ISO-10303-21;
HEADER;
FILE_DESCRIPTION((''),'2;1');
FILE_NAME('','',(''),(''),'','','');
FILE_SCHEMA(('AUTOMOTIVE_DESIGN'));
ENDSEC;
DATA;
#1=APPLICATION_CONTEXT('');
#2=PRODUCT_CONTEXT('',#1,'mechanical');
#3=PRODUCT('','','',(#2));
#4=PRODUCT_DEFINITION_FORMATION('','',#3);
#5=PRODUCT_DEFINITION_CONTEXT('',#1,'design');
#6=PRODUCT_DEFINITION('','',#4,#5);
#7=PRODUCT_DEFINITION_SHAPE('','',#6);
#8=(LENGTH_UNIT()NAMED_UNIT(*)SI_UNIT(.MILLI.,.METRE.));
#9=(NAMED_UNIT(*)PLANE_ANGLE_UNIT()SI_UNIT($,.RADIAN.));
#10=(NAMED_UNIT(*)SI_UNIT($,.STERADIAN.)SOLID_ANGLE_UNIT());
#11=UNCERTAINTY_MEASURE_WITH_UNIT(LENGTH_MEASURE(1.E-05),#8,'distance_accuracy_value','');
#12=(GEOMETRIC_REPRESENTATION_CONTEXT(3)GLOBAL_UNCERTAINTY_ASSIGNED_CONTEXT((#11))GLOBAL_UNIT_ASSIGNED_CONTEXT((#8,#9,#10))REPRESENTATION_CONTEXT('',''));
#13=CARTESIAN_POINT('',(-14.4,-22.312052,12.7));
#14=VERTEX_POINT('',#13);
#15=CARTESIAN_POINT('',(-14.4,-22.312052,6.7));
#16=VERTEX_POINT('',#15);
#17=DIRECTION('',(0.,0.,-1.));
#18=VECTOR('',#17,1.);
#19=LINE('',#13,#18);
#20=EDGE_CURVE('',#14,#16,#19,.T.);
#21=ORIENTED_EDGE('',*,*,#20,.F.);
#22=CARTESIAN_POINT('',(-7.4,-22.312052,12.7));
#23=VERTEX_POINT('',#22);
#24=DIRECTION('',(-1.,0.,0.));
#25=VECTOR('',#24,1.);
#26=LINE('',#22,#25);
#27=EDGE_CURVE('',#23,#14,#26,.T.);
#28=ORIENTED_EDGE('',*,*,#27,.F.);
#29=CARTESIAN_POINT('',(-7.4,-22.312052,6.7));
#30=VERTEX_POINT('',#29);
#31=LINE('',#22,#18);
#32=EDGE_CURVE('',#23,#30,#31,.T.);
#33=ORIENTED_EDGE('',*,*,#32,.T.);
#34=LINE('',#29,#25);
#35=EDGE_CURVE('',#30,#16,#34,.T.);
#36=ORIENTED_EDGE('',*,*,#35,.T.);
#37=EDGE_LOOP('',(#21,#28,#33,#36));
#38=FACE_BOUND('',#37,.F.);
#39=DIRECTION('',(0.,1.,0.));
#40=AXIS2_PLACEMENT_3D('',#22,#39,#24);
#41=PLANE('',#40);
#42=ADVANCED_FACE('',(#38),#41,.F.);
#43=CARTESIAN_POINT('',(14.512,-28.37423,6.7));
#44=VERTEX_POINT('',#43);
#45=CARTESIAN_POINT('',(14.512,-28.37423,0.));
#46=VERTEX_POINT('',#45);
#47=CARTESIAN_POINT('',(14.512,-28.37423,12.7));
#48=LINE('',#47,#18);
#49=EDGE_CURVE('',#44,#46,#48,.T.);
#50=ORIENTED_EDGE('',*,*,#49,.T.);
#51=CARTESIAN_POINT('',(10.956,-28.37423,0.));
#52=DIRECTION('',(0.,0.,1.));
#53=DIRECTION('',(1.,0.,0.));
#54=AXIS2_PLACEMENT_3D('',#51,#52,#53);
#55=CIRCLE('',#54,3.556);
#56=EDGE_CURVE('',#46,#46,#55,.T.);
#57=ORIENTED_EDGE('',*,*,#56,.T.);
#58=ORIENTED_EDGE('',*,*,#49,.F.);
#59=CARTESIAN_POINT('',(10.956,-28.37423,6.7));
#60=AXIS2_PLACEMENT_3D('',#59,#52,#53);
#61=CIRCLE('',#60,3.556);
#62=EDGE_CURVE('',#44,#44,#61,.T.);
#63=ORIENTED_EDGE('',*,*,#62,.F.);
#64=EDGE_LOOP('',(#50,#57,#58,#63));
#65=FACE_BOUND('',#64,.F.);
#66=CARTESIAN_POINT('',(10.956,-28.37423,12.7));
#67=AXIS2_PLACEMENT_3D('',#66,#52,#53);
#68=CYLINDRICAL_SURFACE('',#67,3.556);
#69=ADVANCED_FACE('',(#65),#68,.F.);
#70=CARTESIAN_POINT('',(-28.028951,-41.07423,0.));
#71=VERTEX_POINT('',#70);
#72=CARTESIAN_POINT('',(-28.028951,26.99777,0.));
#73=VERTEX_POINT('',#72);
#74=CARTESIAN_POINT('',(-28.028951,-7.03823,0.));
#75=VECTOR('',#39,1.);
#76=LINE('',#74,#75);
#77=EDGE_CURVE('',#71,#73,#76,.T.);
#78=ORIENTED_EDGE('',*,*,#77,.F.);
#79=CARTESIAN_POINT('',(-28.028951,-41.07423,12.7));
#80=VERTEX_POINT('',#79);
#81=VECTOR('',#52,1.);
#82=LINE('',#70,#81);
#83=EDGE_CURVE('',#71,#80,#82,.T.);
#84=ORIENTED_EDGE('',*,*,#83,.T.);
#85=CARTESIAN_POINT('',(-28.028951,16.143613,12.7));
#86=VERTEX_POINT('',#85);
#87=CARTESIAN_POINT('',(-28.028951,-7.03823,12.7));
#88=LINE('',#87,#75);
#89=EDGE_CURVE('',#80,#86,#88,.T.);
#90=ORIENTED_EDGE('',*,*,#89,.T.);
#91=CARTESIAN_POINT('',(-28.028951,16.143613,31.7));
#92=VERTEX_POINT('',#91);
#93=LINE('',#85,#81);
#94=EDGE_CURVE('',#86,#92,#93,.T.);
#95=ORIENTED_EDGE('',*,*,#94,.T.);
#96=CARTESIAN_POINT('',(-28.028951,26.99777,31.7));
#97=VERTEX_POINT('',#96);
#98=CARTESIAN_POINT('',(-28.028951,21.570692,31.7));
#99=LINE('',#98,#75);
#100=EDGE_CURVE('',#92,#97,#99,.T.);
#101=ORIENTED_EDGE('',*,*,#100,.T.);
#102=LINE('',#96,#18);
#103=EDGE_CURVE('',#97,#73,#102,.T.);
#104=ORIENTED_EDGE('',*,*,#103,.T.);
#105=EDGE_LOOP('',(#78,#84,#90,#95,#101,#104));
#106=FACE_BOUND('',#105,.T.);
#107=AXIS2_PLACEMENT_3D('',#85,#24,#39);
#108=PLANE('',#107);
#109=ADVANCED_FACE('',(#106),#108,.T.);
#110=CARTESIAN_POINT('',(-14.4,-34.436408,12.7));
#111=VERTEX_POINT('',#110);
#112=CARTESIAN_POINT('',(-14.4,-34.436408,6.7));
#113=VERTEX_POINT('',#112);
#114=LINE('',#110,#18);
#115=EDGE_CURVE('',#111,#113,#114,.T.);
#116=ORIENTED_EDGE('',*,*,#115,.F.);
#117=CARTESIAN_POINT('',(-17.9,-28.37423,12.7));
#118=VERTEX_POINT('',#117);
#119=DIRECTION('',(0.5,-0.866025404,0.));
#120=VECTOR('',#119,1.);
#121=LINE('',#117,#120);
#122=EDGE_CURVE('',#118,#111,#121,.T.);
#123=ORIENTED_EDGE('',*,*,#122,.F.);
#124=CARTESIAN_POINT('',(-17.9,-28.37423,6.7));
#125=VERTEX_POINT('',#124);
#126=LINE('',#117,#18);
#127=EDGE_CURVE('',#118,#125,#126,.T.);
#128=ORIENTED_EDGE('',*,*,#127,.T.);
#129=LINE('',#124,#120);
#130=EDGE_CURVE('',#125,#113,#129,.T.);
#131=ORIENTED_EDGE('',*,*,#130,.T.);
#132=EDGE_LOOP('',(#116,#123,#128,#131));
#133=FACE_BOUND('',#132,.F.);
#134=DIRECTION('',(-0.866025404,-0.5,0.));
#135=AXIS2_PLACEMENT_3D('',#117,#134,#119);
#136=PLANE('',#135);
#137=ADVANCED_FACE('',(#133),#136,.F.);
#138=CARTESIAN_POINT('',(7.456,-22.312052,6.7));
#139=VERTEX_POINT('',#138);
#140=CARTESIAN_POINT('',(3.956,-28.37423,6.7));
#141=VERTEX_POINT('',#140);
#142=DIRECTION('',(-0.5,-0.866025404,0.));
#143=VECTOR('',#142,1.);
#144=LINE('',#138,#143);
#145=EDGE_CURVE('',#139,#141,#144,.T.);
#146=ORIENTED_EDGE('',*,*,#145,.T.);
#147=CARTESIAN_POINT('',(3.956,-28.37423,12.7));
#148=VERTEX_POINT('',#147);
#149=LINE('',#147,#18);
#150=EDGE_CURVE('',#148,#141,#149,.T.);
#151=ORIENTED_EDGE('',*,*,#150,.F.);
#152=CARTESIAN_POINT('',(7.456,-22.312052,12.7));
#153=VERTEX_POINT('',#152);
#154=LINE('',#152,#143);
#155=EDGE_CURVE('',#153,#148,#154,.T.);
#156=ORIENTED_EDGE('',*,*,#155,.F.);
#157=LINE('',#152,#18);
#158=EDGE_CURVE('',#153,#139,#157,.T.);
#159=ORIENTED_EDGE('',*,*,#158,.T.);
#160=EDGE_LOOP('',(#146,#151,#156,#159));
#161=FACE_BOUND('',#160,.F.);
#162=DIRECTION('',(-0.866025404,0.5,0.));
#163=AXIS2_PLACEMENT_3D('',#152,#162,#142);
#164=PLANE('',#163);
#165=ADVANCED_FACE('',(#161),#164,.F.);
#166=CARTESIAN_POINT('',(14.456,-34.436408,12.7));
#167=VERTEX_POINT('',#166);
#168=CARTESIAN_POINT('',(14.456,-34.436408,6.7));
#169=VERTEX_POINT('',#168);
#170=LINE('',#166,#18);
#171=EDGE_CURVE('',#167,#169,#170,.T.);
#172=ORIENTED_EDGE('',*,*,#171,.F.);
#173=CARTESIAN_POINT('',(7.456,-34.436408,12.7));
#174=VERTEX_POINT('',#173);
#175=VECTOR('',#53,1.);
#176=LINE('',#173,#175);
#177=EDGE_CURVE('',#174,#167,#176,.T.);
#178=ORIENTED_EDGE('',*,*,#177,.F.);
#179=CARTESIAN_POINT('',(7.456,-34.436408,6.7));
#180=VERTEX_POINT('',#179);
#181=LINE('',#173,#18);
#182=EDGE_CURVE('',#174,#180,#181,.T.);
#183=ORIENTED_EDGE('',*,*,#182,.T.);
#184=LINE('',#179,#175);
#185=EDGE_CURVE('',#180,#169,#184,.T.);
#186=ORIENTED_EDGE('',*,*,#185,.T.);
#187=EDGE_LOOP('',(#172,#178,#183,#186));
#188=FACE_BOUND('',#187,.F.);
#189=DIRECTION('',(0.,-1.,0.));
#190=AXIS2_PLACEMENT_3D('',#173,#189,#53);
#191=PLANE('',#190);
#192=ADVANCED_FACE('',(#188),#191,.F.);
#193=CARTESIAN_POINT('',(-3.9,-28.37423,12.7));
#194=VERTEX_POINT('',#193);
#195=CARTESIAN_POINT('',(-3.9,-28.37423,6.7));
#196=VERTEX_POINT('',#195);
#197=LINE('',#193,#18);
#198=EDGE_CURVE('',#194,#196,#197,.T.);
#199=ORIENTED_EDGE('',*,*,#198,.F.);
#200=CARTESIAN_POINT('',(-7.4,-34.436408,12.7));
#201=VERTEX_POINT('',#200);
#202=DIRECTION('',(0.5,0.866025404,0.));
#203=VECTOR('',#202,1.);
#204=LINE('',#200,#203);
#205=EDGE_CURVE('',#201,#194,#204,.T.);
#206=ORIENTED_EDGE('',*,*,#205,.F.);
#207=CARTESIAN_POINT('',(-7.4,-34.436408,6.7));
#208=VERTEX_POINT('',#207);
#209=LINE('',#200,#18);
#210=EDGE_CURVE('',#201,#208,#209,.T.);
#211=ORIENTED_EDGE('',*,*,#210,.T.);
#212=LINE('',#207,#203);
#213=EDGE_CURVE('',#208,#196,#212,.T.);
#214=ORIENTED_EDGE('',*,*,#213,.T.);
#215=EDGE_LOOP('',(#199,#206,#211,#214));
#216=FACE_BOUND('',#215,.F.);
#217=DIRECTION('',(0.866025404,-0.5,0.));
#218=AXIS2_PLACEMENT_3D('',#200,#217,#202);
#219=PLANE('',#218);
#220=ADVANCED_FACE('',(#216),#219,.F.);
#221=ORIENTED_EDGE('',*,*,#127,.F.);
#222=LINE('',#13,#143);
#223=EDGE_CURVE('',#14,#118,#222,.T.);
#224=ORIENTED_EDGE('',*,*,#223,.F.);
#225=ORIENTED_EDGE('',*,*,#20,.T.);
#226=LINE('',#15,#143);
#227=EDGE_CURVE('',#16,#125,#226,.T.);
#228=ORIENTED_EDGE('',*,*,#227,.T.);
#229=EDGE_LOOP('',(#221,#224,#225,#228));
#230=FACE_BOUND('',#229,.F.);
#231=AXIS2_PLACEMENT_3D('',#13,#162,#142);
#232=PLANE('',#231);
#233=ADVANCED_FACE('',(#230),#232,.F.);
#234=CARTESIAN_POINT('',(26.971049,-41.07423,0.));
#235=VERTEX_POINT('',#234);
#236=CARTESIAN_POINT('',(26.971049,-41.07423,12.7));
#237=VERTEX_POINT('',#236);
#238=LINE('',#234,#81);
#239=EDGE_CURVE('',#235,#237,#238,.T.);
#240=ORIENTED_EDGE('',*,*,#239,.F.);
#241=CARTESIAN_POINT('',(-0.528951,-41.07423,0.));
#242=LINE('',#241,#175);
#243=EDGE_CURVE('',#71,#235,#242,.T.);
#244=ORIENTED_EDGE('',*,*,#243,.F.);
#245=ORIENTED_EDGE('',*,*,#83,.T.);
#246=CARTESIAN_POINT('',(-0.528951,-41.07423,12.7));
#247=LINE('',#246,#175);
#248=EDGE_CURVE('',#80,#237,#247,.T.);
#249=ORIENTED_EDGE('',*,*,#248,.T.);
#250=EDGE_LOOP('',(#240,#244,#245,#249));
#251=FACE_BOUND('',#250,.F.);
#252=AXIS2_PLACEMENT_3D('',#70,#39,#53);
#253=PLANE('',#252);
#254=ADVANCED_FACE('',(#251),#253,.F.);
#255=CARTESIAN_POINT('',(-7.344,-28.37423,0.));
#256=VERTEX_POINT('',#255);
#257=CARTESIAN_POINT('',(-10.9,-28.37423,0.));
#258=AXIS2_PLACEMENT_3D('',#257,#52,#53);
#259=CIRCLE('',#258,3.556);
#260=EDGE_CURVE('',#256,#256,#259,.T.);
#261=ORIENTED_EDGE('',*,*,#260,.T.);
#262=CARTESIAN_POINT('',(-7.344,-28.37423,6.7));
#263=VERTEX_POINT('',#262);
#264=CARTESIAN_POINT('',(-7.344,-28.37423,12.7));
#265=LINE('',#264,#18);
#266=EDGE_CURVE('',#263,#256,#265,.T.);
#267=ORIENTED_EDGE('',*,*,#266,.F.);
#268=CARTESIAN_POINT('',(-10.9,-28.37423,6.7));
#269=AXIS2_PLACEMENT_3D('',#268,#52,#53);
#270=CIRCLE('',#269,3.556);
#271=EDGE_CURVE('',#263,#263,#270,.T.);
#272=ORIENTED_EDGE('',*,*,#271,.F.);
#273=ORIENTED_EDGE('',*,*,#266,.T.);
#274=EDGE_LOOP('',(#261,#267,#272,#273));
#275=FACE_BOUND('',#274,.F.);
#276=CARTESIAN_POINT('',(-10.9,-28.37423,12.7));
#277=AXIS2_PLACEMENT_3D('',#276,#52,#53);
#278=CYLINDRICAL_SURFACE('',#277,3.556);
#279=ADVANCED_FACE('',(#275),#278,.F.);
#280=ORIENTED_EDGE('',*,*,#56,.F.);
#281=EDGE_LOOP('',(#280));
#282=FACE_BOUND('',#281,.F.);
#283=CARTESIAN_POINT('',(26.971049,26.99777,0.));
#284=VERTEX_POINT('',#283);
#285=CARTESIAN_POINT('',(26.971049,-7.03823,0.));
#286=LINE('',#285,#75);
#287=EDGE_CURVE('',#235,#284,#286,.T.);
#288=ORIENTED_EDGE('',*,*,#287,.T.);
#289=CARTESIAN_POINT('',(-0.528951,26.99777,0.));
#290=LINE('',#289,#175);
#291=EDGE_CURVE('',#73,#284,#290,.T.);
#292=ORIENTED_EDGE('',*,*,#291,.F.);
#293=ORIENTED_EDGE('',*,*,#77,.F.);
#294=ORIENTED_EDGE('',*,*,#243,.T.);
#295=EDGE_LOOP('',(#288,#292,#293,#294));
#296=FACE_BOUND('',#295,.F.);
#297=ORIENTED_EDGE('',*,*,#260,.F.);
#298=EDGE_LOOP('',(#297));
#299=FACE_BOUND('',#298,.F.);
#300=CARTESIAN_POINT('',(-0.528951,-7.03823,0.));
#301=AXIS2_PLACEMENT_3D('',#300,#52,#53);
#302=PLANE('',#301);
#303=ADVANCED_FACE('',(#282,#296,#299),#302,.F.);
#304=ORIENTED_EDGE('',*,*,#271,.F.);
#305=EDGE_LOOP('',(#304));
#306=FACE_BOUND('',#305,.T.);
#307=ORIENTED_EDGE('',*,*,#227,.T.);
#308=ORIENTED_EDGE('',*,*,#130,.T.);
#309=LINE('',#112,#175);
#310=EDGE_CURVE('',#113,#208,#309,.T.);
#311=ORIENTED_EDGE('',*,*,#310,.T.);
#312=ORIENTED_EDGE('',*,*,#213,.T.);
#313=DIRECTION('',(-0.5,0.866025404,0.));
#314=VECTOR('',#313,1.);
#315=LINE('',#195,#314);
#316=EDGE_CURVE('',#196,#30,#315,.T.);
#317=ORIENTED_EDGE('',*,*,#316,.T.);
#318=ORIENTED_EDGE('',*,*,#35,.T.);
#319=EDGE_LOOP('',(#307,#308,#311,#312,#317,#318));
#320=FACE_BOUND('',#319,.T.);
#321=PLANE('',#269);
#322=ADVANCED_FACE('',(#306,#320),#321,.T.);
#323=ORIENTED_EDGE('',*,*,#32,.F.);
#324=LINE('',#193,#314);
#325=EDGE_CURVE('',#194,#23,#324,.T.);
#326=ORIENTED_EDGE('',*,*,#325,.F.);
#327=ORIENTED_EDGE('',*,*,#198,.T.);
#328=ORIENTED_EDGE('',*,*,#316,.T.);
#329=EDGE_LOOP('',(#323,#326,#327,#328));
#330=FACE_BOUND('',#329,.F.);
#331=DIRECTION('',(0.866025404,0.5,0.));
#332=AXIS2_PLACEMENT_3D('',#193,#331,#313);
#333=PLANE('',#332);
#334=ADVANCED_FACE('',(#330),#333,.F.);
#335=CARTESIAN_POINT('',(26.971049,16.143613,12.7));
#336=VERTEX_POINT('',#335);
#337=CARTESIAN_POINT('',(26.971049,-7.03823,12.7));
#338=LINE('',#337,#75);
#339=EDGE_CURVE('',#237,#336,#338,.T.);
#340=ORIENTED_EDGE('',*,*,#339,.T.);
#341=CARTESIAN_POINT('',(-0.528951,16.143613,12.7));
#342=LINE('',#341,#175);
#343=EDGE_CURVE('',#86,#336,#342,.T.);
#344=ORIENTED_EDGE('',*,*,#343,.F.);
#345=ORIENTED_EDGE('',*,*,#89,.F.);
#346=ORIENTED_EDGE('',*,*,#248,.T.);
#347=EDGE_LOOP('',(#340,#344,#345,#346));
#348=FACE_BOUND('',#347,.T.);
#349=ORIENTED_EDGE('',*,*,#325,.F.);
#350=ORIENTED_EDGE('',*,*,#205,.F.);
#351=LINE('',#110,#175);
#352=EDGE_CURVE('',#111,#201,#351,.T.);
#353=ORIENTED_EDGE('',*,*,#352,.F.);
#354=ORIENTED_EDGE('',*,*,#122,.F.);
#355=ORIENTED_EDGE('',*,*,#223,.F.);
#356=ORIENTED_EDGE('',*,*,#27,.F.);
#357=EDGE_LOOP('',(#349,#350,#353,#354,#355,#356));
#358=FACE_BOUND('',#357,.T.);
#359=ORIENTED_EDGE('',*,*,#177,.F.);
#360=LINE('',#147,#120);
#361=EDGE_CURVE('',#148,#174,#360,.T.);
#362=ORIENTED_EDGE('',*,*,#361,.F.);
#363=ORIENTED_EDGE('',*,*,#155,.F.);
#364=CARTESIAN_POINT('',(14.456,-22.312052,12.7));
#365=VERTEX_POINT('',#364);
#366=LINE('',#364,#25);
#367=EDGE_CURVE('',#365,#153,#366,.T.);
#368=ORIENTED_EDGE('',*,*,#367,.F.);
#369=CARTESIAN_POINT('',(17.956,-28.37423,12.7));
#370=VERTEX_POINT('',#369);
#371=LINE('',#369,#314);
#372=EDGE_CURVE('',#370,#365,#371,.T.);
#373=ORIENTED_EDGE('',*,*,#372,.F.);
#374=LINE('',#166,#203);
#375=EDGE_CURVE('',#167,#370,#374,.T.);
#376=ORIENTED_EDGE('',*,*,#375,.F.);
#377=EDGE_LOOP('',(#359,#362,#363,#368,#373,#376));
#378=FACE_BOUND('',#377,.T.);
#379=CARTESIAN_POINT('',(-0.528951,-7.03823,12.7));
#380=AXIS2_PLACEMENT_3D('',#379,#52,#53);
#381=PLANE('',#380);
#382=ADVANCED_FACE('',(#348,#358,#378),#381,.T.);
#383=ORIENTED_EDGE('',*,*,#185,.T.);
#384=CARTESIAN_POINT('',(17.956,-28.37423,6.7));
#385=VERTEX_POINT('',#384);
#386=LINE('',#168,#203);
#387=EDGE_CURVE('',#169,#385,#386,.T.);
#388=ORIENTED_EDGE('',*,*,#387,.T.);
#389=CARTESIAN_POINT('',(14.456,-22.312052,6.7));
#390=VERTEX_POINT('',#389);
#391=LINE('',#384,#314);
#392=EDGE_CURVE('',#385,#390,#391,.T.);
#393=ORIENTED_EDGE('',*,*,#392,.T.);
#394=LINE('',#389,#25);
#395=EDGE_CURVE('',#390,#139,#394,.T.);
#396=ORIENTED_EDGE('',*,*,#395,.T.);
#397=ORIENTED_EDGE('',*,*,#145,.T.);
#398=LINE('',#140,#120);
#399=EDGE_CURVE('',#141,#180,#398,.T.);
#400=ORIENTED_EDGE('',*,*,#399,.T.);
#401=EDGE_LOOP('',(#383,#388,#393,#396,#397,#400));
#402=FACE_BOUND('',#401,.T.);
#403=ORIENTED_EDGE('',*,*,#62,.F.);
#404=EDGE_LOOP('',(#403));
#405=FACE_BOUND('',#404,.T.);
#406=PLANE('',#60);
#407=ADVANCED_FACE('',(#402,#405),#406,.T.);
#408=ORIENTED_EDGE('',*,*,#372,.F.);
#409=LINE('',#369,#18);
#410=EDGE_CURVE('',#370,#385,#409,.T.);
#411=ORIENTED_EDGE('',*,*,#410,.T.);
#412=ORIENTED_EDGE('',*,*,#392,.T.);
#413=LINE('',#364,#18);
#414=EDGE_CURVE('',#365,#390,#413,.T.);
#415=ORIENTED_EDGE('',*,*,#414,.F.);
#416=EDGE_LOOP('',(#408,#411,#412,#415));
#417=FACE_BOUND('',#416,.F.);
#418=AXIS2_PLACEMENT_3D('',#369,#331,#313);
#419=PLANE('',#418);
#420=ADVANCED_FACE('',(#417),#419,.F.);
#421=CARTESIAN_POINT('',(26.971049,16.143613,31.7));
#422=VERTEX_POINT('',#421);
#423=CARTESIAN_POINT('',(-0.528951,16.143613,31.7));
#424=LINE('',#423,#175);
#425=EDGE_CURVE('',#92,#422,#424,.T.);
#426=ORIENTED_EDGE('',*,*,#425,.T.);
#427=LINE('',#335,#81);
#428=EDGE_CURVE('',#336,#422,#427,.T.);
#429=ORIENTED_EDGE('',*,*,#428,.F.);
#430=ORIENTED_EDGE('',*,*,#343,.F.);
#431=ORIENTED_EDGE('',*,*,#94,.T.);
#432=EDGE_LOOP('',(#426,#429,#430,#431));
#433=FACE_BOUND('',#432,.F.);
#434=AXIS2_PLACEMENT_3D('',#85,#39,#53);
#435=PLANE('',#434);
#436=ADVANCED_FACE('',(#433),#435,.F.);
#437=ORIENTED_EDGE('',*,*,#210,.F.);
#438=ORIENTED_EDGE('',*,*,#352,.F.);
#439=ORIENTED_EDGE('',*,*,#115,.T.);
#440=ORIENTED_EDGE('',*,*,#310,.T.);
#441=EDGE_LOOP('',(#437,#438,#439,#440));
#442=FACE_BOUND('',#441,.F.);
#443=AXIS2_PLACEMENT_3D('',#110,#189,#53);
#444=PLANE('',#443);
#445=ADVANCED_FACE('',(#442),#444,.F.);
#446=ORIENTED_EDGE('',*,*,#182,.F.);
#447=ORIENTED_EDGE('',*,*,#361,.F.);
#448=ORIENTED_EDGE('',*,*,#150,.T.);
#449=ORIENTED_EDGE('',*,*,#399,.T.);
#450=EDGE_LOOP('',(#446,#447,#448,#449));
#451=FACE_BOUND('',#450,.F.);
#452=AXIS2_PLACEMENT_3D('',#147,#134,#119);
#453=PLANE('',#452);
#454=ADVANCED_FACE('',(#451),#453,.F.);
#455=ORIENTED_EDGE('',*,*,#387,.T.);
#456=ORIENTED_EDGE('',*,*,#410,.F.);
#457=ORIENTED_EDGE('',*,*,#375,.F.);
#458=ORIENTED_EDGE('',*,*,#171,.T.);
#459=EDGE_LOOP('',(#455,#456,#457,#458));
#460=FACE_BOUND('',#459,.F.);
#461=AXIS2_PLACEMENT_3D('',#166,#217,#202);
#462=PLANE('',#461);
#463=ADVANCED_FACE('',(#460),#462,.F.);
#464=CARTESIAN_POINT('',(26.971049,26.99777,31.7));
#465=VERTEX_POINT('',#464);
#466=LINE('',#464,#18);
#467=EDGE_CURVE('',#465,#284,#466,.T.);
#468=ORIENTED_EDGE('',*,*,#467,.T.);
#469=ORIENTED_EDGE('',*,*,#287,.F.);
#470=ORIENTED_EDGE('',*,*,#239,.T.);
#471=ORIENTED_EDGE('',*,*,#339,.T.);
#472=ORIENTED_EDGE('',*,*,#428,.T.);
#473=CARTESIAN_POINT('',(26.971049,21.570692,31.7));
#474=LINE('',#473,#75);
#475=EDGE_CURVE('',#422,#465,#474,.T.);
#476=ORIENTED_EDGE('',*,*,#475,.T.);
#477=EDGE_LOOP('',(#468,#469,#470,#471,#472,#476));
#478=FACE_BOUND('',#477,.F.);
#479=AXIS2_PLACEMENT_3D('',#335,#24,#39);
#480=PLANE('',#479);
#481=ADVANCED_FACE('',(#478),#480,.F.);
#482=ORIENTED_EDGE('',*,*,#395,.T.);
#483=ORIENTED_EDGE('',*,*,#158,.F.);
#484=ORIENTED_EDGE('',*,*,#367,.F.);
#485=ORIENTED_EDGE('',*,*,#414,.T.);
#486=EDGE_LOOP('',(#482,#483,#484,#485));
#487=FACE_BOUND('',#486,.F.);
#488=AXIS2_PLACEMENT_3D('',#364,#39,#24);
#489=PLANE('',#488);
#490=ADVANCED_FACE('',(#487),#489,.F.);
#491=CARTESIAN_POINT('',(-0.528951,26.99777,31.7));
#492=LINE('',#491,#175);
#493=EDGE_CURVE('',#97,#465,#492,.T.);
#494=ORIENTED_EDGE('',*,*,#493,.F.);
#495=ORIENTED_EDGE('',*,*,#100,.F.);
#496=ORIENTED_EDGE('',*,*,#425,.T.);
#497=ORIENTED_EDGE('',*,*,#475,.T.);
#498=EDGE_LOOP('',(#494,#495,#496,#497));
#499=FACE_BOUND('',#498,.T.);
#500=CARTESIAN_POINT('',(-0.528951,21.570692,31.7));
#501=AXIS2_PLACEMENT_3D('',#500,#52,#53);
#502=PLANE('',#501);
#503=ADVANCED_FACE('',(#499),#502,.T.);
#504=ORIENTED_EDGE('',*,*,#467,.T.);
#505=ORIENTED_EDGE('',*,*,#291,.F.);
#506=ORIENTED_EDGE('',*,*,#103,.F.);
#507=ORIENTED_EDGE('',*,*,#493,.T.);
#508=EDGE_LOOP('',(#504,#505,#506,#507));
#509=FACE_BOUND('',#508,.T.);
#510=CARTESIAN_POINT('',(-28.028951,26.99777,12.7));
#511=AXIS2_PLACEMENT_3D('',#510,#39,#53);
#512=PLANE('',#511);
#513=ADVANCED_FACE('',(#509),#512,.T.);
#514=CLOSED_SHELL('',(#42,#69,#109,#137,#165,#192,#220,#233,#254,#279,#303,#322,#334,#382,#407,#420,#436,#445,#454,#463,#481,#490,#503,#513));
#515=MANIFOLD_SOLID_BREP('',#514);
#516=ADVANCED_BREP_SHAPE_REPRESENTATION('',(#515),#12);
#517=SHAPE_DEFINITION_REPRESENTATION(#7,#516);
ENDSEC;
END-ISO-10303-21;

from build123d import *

# Parameters (mm, degrees)
F0_W     = 55
F0_H     = 68.072
F1_DEPTH = 12.7
F2_R     = 3.556
F3_DEPTH = 6
F4_DEPTH = 12.7
F5_W     = 55
F5_H     = 10.8541566
F6_DEPTH = 19


with BuildPart() as f1:
    # F0 (on Top) → F1 (new body)
    with BuildSketch(Plane.XY):
        with Locations((-0.5289506033, -7.0382300764)):
            Rectangle(F0_W, F0_H)
    extrude(amount=F1_DEPTH)

    # F2 (on face) → F3 (cut)
    with BuildSketch(Plane.XY.offset(12.7)):
        Polygon((-14.4, -22.3120522499), (-17.9, -28.3742300764), (-14.4, -34.4364079029), (-7.4, -34.4364079029), (-3.9, -28.3742300764), (-7.4, -22.3120522499), align=None)
        with Locations((-10.9, -28.3742300764)):
            Circle(F2_R, mode=Mode.SUBTRACT)
        Polygon((14.456, -34.4364079029), (17.956, -28.3742300764), (14.456, -22.3120522499), (7.456, -22.3120522499), (3.956, -28.3742300764), (7.456, -34.4364079029), align=None)
        with Locations((10.956, -28.3742300764)):
            Circle(F2_R, mode=Mode.SUBTRACT)
    extrude(amount=-F3_DEPTH, mode=Mode.SUBTRACT)

    # F4 (cut, through all): faces of the model
    f4_faces = [f1.faces().sort_by_distance(p)[0] for p in [
        (-10.9, -28.3742300764, 12.7),
        (10.956, -28.3742300764, 12.7),
    ]]
    extrude(f4_faces, amount=-F4_DEPTH, mode=Mode.SUBTRACT)

    # F5 (on face) → F6 (join)
    with BuildSketch(Plane.XY.offset(12.7)):
        with Locations((-0.5289506033, 21.5706916236)):
            Rectangle(F5_W, F5_H)
    extrude(amount=F6_DEPTH)


solid = f1.part
